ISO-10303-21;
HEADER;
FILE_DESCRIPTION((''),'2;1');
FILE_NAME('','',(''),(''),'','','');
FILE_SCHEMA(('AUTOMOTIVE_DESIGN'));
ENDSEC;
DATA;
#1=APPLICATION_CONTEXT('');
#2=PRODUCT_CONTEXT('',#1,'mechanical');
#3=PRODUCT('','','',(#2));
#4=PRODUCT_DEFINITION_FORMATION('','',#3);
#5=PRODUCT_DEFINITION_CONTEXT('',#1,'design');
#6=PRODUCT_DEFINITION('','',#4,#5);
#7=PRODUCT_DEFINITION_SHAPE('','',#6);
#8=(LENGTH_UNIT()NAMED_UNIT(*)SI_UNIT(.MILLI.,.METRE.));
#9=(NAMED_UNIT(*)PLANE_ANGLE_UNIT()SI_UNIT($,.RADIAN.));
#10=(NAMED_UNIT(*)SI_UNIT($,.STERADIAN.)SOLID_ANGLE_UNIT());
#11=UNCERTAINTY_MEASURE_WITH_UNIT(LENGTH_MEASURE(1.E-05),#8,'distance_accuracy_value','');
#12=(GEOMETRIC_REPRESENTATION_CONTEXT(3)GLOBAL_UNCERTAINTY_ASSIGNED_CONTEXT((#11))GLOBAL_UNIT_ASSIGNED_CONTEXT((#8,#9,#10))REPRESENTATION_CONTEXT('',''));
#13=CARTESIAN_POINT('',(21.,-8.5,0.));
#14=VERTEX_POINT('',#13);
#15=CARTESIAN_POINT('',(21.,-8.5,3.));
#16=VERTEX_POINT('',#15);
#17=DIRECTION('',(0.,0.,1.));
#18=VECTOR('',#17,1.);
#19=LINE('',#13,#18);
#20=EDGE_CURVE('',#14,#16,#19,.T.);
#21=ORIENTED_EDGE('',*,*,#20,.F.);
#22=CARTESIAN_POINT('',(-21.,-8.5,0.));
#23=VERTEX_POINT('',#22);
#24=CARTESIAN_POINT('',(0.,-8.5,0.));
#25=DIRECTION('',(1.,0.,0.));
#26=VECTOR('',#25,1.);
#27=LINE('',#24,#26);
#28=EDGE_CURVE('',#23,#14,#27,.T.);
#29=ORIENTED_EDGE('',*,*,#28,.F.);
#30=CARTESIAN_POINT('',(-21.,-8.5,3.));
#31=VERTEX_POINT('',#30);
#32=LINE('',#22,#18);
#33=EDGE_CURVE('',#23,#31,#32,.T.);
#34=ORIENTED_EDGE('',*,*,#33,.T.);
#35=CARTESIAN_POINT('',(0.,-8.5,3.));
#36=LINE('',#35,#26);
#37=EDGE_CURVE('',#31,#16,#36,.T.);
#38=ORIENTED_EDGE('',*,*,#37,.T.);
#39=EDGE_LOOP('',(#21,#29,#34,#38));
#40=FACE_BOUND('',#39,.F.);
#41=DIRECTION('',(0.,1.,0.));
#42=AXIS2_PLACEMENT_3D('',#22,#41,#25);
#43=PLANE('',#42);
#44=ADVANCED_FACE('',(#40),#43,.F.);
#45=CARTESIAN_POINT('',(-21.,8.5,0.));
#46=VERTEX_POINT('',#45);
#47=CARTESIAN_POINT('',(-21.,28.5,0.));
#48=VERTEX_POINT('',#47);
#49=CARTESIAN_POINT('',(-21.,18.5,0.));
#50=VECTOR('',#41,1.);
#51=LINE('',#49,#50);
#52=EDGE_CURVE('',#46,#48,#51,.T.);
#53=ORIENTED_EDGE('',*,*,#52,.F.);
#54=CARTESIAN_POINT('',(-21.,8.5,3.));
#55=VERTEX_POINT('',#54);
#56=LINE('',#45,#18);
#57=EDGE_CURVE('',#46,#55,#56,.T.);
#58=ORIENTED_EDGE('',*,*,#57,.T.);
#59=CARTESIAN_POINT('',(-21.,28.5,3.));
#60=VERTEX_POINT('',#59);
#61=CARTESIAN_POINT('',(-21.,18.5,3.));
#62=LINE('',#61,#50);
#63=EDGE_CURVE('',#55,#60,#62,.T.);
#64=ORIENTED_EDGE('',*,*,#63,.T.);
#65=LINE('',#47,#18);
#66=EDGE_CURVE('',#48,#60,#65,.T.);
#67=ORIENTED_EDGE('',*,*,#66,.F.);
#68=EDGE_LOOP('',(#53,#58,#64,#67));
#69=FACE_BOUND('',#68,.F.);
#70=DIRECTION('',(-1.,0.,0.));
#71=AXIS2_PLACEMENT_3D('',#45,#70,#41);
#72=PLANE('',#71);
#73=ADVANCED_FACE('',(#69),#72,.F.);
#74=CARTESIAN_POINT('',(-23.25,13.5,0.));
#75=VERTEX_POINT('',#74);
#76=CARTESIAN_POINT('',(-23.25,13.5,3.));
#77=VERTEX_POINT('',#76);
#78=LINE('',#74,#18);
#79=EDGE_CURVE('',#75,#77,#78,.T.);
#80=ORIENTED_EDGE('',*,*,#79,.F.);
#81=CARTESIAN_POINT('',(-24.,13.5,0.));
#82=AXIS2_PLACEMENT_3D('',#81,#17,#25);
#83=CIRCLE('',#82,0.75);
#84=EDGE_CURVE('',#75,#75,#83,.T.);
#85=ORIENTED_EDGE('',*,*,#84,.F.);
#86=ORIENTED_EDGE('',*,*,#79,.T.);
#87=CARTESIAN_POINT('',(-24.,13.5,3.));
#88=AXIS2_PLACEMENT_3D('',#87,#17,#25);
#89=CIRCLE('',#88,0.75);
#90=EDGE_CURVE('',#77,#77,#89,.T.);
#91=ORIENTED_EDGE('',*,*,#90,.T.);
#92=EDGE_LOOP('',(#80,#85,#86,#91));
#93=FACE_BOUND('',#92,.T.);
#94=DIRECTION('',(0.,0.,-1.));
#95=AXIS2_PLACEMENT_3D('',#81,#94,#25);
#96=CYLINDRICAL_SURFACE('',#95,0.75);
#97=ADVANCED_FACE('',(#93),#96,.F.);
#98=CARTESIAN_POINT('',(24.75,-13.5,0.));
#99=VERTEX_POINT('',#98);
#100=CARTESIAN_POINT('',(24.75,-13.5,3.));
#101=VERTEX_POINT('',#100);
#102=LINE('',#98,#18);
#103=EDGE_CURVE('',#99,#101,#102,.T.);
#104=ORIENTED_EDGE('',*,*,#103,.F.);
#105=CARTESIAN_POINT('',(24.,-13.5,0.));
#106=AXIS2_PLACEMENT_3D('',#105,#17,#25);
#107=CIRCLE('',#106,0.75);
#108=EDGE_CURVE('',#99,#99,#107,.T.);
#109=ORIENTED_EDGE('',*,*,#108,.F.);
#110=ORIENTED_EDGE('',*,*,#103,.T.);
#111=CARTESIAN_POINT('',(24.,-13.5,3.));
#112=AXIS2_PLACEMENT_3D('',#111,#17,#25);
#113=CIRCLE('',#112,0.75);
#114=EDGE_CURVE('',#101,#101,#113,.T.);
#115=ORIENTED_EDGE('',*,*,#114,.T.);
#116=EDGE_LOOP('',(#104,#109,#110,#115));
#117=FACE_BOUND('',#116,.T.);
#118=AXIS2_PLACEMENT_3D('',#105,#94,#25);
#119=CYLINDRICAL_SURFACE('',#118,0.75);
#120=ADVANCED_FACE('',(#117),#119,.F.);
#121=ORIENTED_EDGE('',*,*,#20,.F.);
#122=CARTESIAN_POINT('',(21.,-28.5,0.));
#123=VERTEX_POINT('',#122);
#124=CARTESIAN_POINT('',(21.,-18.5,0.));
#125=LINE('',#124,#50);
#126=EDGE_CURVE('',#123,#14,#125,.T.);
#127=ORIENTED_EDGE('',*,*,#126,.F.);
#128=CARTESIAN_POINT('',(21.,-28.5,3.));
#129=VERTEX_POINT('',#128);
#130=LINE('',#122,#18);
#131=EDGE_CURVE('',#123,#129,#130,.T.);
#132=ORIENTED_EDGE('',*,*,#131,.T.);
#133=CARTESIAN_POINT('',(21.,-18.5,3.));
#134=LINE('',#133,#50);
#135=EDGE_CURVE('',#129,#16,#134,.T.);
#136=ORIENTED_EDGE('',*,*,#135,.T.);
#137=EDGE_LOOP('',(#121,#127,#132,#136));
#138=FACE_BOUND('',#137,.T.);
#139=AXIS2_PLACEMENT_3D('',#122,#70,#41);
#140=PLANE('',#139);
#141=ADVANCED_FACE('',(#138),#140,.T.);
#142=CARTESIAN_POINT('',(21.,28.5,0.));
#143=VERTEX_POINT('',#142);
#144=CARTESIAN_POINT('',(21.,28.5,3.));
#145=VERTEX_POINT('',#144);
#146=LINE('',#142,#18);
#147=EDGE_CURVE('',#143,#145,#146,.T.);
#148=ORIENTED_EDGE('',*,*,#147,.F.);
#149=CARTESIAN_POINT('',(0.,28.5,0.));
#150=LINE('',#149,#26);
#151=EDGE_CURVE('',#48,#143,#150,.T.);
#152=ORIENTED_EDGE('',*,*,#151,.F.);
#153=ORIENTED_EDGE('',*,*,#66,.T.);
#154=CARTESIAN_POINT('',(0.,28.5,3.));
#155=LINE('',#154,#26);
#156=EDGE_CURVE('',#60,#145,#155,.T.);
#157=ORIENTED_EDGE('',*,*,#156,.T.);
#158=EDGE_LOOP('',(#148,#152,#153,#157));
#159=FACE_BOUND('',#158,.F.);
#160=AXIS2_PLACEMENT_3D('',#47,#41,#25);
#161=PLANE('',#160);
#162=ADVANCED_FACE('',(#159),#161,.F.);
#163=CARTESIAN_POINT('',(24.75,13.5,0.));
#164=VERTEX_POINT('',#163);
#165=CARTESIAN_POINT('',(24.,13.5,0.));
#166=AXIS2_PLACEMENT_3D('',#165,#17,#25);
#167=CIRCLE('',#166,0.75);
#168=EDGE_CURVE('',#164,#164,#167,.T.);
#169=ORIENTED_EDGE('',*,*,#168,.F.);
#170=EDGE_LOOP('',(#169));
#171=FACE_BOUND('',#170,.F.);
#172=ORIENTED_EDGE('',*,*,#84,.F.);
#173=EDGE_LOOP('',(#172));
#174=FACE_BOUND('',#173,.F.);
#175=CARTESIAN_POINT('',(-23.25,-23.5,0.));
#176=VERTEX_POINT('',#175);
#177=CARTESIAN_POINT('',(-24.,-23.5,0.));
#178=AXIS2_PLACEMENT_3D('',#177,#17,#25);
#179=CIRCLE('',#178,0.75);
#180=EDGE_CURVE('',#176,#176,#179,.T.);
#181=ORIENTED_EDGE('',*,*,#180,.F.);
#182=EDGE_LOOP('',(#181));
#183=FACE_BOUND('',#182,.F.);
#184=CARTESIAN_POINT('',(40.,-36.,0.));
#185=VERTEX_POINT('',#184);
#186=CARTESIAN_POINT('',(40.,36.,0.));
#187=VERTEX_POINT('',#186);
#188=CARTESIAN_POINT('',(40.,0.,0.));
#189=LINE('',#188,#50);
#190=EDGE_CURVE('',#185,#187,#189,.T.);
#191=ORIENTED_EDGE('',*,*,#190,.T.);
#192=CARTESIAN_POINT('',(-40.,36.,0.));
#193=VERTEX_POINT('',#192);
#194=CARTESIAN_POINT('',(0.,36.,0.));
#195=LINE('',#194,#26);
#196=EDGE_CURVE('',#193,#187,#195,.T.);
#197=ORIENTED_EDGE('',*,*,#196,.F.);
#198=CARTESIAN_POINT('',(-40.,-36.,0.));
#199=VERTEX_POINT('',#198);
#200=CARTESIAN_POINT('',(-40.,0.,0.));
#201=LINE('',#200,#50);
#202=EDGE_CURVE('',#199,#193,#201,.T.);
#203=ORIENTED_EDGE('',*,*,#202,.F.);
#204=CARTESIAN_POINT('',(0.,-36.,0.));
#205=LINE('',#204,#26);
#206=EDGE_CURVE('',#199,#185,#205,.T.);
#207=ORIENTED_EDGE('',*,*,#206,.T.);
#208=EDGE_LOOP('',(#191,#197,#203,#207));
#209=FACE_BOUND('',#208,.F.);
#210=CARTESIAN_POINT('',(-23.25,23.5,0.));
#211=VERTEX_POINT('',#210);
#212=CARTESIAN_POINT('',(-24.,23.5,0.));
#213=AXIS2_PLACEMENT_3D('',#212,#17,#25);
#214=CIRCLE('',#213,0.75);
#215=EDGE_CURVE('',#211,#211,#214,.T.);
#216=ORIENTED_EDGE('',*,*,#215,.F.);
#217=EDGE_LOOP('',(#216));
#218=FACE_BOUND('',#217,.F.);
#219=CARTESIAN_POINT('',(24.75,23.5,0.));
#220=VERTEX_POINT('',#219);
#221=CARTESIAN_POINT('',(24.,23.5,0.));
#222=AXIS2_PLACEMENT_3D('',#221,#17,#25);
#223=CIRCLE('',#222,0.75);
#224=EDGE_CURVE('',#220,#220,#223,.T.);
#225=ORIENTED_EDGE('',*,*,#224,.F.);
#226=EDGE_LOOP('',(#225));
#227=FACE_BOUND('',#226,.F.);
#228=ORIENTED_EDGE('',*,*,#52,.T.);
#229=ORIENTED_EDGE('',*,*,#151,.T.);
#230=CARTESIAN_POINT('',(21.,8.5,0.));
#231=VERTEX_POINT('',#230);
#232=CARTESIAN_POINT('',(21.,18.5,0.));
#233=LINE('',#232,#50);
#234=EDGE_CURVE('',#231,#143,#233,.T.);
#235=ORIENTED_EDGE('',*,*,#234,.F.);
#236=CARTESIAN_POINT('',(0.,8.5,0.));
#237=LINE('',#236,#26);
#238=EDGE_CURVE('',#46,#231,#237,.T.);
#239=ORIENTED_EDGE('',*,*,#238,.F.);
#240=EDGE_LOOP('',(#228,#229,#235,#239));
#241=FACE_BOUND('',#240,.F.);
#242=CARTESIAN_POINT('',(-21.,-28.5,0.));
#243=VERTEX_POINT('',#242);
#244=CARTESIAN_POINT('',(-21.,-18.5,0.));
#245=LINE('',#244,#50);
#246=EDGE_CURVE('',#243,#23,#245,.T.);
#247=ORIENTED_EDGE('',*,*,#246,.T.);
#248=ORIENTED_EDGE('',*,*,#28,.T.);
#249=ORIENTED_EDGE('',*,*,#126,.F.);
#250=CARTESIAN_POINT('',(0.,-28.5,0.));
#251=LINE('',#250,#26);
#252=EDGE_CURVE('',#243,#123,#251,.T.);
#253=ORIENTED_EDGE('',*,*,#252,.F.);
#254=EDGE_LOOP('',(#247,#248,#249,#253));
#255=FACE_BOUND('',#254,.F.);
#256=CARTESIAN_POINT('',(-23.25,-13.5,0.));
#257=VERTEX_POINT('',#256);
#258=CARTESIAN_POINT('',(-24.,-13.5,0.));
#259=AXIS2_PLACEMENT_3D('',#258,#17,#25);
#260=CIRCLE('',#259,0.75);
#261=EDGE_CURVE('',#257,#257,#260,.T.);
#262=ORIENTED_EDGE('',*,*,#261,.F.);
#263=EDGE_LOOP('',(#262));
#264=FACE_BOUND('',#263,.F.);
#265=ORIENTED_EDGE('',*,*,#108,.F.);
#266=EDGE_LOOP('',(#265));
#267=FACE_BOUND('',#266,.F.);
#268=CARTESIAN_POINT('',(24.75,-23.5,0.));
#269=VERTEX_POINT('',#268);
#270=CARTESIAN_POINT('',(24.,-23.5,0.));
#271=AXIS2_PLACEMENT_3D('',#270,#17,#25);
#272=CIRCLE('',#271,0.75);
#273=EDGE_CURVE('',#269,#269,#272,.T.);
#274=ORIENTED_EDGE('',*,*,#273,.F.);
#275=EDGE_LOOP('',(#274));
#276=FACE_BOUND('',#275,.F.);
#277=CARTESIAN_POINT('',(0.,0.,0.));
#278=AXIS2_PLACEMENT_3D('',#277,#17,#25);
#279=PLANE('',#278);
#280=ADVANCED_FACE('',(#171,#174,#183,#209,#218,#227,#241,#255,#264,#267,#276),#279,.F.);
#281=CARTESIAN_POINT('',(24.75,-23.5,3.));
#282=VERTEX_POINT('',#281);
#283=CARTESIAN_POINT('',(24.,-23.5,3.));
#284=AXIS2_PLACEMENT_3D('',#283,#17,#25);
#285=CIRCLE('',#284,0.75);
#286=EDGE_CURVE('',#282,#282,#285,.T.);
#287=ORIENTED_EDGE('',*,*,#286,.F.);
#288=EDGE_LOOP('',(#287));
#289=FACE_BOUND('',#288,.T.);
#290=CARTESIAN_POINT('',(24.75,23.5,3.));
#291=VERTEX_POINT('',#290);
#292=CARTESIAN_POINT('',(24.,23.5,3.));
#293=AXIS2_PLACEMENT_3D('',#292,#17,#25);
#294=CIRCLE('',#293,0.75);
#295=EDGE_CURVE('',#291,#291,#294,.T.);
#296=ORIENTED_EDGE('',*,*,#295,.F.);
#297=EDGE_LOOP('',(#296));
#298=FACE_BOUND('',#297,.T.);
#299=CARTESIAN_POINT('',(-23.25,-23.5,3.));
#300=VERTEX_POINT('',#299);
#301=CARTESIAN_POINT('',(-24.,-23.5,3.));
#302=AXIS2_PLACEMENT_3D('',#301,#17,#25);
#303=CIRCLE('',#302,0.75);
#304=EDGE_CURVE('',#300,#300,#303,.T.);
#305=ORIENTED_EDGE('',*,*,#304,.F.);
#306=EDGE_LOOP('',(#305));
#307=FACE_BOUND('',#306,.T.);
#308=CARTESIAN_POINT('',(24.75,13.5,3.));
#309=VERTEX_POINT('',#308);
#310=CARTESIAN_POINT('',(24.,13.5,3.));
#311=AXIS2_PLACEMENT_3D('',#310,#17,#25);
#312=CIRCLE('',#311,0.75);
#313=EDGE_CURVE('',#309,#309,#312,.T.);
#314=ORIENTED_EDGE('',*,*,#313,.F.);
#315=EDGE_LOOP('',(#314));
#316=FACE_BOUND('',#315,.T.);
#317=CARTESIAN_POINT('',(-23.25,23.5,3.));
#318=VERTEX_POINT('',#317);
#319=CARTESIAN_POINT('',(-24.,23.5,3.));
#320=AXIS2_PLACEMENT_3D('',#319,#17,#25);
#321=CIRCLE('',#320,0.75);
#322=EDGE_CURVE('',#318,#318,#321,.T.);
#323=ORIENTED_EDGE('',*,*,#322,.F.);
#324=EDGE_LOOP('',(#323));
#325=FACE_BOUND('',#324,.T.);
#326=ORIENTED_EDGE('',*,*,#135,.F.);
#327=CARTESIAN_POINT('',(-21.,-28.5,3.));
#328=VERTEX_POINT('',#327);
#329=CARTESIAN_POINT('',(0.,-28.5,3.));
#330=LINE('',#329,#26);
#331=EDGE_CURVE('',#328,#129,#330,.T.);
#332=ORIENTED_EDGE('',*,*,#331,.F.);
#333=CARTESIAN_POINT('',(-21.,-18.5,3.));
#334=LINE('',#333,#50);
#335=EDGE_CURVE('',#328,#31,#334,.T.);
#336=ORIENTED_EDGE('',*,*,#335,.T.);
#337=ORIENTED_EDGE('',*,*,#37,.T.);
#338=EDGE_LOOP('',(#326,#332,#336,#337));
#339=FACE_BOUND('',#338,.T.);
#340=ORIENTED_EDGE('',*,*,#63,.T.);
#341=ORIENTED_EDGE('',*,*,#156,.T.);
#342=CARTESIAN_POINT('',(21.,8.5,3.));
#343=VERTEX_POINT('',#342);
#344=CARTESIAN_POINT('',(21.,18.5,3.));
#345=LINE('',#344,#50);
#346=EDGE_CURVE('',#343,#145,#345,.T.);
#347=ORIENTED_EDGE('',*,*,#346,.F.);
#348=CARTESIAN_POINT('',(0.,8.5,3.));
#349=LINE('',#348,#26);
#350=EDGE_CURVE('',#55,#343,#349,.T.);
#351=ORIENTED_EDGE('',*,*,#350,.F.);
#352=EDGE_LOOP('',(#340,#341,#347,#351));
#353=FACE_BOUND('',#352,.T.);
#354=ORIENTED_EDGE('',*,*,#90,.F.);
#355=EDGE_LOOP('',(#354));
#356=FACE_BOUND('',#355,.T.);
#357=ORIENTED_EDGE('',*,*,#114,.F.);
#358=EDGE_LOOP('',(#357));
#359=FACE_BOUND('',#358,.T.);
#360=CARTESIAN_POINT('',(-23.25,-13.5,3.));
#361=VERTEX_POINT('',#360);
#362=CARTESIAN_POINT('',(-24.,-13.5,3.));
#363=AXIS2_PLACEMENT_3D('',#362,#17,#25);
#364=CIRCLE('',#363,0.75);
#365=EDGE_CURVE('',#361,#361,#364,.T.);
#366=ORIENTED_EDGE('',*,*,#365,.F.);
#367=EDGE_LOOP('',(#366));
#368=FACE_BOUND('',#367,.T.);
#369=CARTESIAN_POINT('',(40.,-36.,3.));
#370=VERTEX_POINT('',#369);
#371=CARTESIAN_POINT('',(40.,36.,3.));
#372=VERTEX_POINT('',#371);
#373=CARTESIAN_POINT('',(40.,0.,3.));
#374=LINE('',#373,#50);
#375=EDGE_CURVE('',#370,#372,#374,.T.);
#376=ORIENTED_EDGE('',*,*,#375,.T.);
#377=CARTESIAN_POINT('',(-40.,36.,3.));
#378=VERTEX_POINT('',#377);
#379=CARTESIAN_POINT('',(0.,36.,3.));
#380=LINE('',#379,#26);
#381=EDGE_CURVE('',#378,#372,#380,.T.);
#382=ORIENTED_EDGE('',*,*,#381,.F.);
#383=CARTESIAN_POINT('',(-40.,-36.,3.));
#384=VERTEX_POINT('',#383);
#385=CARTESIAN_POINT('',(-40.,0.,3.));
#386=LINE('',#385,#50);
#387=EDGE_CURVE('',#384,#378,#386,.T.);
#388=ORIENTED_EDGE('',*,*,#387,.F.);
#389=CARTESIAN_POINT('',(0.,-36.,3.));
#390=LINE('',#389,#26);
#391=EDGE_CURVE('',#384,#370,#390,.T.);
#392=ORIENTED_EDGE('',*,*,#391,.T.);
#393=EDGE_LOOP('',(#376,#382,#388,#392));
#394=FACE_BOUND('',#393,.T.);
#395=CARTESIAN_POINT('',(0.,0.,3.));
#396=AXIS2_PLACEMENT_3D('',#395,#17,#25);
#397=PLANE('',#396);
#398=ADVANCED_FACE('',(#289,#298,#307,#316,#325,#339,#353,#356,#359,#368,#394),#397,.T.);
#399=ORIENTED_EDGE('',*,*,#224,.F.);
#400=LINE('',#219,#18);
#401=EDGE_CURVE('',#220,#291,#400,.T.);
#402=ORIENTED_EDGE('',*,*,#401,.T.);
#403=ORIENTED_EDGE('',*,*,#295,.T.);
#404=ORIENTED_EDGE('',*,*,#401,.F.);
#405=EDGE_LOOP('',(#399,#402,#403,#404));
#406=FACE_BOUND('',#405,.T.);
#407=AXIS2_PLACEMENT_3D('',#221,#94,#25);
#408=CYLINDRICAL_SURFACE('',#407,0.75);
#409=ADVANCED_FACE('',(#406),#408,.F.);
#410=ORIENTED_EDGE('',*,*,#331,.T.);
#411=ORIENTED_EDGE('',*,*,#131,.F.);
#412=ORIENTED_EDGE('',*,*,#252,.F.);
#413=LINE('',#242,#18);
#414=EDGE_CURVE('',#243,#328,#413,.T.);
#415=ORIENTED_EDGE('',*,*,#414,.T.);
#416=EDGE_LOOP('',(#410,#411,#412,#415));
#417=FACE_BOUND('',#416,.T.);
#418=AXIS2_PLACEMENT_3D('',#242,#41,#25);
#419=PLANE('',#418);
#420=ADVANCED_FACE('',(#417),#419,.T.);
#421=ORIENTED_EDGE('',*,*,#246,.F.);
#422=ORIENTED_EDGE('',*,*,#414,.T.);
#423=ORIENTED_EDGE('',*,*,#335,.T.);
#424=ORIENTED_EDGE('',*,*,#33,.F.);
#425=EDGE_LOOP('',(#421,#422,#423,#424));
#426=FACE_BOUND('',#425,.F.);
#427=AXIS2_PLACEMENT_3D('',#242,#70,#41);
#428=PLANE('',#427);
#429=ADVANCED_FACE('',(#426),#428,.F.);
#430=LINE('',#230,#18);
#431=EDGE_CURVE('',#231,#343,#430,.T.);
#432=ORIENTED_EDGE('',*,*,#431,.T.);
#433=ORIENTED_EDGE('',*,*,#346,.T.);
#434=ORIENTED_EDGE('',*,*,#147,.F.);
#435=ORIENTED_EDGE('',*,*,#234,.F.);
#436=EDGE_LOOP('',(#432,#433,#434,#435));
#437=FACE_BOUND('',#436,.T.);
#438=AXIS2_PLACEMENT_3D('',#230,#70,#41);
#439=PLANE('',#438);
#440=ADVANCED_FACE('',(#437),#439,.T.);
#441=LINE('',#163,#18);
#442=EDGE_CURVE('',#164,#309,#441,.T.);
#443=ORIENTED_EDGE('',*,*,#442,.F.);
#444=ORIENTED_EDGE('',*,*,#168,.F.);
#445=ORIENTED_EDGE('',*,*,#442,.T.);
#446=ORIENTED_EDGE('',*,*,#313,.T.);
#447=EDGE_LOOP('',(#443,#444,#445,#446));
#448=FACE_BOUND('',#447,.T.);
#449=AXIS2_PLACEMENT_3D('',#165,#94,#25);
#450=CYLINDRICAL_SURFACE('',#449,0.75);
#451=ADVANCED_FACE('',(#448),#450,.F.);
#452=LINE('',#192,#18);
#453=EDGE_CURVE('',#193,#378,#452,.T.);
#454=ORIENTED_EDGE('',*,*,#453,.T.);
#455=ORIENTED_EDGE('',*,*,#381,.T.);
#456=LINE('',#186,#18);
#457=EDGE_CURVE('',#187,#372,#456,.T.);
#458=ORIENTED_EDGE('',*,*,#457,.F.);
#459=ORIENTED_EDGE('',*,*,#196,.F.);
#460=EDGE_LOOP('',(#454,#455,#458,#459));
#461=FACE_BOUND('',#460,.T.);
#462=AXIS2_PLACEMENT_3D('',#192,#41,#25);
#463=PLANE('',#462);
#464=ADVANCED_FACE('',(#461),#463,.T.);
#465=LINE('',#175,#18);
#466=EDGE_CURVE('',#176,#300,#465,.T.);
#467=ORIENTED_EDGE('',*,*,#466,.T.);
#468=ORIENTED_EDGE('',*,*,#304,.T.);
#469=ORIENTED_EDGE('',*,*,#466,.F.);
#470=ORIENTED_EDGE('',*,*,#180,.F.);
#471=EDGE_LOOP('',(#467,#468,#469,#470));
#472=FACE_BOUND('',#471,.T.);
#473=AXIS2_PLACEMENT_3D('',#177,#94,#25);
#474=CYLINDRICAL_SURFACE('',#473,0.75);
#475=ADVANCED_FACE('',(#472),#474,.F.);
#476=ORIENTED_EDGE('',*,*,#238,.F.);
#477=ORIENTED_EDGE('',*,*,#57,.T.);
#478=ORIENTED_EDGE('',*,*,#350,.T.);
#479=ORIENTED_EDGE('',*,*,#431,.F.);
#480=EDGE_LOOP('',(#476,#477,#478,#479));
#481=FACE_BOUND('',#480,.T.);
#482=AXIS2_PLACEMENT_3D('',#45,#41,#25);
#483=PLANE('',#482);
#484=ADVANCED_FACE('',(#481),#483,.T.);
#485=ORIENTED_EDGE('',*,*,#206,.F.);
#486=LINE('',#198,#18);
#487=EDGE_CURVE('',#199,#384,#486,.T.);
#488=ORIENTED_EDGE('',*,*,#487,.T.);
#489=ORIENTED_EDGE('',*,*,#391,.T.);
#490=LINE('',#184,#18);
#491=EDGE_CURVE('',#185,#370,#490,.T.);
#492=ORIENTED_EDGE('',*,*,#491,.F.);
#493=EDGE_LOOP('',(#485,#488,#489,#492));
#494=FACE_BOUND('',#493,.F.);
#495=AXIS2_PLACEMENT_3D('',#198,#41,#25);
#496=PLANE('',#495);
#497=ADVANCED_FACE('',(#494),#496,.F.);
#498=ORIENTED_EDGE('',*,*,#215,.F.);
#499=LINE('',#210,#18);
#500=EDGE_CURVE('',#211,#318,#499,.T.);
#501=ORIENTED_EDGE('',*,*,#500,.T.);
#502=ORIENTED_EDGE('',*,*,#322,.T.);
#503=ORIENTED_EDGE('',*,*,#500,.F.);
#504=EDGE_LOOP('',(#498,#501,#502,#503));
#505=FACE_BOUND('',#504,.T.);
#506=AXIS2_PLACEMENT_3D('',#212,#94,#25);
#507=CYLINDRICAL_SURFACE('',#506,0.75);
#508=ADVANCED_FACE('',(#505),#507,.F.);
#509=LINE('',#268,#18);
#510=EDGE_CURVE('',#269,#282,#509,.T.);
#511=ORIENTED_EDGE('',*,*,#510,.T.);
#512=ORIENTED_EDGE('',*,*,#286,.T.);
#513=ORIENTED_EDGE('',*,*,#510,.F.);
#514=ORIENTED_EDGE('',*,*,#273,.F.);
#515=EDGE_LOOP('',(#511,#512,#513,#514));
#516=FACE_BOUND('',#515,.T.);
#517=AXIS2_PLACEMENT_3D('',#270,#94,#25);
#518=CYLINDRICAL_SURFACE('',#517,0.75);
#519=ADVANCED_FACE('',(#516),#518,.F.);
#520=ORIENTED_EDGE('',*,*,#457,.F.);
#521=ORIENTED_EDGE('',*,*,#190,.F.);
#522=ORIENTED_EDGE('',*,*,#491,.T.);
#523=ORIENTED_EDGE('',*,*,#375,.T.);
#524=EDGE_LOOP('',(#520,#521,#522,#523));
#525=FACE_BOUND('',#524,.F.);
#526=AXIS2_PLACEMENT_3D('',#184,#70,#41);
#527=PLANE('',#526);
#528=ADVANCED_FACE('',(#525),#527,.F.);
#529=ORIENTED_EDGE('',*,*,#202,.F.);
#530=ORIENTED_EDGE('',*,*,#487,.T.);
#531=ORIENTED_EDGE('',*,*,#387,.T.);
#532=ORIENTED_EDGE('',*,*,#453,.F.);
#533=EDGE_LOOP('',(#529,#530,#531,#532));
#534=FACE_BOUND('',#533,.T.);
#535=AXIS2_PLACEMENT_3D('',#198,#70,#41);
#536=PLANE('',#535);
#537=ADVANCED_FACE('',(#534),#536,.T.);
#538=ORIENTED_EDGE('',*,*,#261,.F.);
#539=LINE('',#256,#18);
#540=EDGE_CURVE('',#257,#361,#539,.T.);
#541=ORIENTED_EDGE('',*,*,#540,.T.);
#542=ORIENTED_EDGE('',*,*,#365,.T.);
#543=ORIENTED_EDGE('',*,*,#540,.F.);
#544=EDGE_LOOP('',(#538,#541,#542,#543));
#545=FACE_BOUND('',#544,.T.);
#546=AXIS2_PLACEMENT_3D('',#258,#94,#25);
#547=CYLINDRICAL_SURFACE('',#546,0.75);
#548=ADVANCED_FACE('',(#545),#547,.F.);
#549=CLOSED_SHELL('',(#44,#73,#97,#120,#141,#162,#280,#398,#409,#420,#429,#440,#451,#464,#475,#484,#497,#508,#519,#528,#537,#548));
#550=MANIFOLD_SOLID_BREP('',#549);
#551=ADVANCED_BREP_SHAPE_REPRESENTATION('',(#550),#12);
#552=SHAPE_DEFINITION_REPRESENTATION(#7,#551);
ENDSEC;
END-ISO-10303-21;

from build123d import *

# Parameters (mm, degrees)
F0_W     = 80
F0_H     = 72
F0_R     = 0.75
F0_W_2   = 42
F0_H_2   = 20
F1_DEPTH = 3


with BuildPart() as f1:
    # F0 (on Top) → F1 (new body)
    with BuildSketch(Plane.XY):
        Rectangle(F0_W, F0_H)
        with Locations((-24, -23.5)):
            Circle(F0_R, mode=Mode.SUBTRACT)
        with Locations((-24, -13.5)):
            Circle(F0_R, mode=Mode.SUBTRACT)
        with Locations((0, -18.5)):
            Rectangle(F0_W_2, F0_H_2, mode=Mode.SUBTRACT)
        with Locations((24, -23.5)):
            Circle(F0_R, mode=Mode.SUBTRACT)
        with Locations((24, -13.5)):
            Circle(F0_R, mode=Mode.SUBTRACT)
        with Locations((-24, 13.5)):
            Circle(F0_R, mode=Mode.SUBTRACT)
        with Locations((-24, 23.5)):
            Circle(F0_R, mode=Mode.SUBTRACT)
        with Locations((24, 13.5)):
            Circle(F0_R, mode=Mode.SUBTRACT)
        with Locations((0, 18.5)):
            Rectangle(F0_W_2, F0_H_2, mode=Mode.SUBTRACT)
        with Locations((24, 23.5)):
            Circle(F0_R, mode=Mode.SUBTRACT)
    extrude(amount=F1_DEPTH)


solid = f1.part
